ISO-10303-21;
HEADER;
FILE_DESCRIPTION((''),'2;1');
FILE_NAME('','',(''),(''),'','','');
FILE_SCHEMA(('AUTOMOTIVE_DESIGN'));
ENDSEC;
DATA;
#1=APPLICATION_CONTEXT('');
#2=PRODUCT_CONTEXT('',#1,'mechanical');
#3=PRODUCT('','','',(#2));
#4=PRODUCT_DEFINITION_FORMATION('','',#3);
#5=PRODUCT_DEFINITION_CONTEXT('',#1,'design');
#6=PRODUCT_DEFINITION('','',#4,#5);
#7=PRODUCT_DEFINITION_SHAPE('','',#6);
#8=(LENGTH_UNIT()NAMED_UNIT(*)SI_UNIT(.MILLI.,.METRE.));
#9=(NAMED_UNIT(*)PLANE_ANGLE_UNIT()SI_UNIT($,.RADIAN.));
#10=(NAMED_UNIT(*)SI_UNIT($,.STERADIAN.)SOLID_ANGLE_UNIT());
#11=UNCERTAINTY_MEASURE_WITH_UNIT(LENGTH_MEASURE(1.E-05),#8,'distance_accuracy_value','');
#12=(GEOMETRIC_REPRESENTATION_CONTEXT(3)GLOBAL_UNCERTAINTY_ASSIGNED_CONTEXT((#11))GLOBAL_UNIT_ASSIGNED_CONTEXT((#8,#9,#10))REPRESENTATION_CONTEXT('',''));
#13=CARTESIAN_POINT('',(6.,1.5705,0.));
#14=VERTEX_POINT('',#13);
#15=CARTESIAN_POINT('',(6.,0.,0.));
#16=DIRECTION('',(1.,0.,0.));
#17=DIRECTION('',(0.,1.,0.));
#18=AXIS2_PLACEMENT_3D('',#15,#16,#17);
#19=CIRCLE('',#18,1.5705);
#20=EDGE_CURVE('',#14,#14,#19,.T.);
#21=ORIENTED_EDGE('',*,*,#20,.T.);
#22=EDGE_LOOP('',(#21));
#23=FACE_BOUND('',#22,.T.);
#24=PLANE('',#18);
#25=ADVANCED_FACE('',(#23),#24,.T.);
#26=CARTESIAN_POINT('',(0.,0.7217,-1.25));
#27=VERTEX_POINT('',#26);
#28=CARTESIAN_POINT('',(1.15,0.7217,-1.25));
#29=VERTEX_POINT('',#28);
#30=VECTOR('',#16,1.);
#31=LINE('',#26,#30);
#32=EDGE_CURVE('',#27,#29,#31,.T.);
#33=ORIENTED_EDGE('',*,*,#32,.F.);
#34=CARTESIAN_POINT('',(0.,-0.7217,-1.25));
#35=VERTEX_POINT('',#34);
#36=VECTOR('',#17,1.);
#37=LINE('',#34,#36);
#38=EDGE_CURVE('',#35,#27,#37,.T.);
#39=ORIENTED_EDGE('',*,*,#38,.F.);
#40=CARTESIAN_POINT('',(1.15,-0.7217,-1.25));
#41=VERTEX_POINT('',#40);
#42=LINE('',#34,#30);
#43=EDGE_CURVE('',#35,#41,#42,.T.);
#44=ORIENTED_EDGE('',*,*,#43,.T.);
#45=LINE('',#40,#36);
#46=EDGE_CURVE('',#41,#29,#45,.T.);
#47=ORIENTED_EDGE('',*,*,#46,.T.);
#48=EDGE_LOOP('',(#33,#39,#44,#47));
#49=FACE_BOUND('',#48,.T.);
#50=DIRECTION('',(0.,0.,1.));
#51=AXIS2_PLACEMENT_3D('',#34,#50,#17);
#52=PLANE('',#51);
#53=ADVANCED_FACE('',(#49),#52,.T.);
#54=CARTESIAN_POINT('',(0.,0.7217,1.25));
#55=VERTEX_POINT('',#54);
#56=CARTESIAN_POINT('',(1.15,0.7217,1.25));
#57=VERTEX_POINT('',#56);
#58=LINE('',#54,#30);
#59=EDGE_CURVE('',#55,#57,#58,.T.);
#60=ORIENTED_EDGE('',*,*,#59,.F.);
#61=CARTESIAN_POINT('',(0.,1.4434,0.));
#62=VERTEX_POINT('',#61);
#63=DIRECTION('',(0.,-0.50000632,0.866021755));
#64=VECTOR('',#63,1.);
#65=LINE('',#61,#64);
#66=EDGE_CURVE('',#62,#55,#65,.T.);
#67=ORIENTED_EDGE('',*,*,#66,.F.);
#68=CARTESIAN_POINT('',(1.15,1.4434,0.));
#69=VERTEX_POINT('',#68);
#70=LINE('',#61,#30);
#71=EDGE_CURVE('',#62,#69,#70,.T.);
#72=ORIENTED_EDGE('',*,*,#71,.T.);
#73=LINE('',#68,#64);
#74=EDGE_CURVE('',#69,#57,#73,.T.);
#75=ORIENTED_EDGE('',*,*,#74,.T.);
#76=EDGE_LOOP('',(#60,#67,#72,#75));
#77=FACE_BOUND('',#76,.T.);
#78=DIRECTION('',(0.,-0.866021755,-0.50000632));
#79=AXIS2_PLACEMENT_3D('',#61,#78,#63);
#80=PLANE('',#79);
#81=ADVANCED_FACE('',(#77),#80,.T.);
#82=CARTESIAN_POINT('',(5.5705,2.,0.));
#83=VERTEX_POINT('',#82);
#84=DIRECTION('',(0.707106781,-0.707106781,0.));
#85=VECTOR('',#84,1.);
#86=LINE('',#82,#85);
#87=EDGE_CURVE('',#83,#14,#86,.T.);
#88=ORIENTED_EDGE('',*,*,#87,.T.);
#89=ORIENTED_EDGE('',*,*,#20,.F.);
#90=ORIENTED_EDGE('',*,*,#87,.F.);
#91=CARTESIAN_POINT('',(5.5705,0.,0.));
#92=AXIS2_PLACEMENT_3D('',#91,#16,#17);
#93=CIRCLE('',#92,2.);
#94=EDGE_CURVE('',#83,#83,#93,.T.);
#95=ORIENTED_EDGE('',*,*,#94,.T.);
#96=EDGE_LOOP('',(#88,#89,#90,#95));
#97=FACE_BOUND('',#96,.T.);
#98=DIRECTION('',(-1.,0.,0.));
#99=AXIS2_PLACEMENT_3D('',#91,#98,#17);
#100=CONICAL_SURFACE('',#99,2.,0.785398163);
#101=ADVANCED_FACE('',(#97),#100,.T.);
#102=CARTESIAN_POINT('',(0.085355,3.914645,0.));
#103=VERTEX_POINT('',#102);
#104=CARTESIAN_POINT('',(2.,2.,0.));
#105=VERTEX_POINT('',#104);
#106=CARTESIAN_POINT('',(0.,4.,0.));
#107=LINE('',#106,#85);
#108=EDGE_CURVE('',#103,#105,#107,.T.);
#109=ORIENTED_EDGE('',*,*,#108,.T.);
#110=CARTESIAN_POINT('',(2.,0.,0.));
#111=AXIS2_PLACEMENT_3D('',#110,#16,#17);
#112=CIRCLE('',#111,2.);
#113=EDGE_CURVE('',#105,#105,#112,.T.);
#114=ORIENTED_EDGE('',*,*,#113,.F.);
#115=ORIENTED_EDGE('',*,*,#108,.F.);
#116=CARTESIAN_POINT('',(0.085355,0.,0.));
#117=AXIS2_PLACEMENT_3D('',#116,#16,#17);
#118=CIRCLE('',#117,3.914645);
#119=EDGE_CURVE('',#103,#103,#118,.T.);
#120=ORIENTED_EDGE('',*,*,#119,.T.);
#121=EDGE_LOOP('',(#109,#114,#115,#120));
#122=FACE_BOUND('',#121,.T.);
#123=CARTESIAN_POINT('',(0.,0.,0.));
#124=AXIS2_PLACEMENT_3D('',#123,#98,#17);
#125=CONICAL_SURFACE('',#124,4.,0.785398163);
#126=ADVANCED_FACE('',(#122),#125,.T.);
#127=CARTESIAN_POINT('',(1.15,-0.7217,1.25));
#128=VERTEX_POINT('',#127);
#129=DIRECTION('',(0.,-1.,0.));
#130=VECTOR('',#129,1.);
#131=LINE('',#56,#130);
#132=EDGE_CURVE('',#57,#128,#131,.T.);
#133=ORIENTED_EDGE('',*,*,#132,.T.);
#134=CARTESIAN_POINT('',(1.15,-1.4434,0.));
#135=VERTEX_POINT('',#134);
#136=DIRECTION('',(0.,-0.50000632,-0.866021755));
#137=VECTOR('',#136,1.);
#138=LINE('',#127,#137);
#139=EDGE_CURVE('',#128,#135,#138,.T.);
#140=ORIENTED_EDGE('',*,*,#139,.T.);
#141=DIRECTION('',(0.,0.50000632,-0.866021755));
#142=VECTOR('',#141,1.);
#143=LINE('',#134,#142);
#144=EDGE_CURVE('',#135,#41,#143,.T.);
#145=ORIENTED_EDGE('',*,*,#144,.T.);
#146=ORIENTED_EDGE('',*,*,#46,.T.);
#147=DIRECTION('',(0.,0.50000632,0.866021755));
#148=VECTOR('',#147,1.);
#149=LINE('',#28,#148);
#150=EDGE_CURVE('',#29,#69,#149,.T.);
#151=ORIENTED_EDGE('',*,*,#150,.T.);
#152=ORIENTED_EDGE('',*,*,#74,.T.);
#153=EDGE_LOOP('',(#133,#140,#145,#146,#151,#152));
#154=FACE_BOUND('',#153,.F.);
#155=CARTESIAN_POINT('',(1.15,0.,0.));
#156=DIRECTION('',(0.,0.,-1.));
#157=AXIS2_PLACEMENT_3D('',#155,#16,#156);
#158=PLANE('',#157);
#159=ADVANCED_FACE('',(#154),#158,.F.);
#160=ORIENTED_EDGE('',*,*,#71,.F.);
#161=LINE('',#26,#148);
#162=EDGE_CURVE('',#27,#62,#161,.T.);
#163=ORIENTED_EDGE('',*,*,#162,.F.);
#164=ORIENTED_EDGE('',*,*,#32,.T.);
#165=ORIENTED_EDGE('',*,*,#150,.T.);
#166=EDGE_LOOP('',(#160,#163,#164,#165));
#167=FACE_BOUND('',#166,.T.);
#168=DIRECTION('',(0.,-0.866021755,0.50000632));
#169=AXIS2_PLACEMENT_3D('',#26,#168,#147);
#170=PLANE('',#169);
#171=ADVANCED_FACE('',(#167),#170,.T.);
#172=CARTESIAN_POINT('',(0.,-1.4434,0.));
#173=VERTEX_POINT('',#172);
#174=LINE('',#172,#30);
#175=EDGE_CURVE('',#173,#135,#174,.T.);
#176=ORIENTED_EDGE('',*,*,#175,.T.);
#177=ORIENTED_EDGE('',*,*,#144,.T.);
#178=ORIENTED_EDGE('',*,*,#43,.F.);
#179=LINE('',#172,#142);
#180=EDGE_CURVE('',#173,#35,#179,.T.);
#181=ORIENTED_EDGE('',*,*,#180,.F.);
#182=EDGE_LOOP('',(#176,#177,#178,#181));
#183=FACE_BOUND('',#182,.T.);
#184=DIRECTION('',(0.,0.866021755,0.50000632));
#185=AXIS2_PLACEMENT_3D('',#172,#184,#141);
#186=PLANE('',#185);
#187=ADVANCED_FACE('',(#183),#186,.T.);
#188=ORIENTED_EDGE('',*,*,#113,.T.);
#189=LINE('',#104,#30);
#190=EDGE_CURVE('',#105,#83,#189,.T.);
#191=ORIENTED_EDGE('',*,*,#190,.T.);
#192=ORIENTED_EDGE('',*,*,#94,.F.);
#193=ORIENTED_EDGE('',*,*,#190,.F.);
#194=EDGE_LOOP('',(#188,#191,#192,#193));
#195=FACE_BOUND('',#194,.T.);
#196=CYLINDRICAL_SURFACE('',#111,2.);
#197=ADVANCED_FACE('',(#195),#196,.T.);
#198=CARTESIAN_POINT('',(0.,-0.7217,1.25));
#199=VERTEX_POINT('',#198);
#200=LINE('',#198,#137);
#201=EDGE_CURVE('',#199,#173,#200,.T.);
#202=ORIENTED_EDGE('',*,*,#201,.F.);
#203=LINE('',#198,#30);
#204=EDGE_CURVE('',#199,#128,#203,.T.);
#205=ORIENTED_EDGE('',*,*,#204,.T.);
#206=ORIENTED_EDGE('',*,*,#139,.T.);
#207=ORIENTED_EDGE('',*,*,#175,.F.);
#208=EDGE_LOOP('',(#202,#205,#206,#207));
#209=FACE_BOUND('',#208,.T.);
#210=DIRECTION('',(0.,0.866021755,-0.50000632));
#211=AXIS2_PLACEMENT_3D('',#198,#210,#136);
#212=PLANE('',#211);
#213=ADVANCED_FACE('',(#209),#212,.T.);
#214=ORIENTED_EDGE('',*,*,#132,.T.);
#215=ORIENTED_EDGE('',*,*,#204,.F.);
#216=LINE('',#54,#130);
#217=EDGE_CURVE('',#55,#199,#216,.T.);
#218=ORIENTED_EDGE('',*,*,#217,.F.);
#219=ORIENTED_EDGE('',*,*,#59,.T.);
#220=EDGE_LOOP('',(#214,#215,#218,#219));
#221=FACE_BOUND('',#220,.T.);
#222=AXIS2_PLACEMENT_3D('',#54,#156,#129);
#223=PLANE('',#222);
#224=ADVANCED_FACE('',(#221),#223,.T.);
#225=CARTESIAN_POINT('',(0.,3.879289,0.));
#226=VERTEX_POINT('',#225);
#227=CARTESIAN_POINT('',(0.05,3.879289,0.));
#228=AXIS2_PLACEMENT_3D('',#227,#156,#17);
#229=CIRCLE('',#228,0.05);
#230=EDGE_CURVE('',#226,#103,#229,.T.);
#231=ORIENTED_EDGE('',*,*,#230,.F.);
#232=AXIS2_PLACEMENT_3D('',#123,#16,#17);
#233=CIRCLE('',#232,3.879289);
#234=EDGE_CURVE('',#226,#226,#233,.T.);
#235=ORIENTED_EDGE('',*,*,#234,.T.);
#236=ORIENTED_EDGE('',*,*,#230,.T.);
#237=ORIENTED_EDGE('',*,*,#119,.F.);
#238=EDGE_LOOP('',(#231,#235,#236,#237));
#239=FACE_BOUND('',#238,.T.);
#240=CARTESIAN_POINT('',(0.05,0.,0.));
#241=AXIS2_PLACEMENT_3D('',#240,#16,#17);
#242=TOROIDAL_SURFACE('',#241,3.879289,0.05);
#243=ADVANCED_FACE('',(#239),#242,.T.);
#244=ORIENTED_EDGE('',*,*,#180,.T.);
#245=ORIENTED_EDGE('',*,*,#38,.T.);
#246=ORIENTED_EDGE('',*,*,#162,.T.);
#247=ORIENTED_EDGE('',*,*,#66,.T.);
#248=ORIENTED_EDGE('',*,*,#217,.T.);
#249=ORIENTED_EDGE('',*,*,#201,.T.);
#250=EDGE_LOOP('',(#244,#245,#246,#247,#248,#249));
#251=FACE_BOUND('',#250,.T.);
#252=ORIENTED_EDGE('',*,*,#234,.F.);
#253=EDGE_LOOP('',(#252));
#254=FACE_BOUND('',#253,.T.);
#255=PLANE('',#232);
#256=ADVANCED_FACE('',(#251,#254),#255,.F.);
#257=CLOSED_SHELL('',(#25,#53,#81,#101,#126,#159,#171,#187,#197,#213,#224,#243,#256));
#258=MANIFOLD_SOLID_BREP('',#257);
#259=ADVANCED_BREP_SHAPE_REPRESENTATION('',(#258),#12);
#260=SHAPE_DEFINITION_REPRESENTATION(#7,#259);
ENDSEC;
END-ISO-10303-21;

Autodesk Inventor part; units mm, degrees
ref_plane "YZ Plane" through (0, 0, 0) normal (1, 0, 0) x (0, 1, 0)
ref_plane "XZ Plane" through (0, 0, 0) normal (0, 1, 0) x (-1, 0, 0)
ref_plane "XY Plane" through (0, 0, 0) normal (0, 0, 1) x (1, 0, 0)
sketch "__1" plane through (0, 0, 0) normal (0, 0, 1) x (1, 0, 0)
  line L0 (56, 0) -> (-56, 0)
  line L1 (0, 0) -> (0, 4)
  line L2 (0, 4) -> (2, 2)
  line L3 (2, 2) -> (5.5705, 2)
  line L4 (5.5705, 2) -> (6, 1.5705)
  line L5 (6, 1.5705) -> (6, 0)
  line L6 (6, 0) -> (0, 0)
revolve "Revolution1" add sketch "__1" angle 360 about axis through (56, 0, 0) along (1, 0, 0)
thread "Thread1" size "M4x0.7" class "6g" standard "ISO Metric profile" length 3.2705
sketch "__2" plane through (0, 0, 0) normal (1, 0, 0) x (0, 0, -1)
  line L0 (-1.25, -0.7217) -> (0, -1.4434)
  line L1 (0, -1.4434) -> (1.25, -0.7217)
  line L2 (1.25, -0.7217) -> (1.25, 0.7217)
  line L3 (1.25, 0.7217) -> (0, 1.4434)
  line L4 (0, 1.4434) -> (-1.25, 0.7217)
  line L5 (-1.25, 0.7217) -> (-1.25, -0.7217)
extrude "Extrusion1" cut sketch "__2" along normal blind 1.15
fillet "Fillet1" radius 0.05 1 edges at (0, -4, 0)
properties part number "FBB4-6" material "Steel"
